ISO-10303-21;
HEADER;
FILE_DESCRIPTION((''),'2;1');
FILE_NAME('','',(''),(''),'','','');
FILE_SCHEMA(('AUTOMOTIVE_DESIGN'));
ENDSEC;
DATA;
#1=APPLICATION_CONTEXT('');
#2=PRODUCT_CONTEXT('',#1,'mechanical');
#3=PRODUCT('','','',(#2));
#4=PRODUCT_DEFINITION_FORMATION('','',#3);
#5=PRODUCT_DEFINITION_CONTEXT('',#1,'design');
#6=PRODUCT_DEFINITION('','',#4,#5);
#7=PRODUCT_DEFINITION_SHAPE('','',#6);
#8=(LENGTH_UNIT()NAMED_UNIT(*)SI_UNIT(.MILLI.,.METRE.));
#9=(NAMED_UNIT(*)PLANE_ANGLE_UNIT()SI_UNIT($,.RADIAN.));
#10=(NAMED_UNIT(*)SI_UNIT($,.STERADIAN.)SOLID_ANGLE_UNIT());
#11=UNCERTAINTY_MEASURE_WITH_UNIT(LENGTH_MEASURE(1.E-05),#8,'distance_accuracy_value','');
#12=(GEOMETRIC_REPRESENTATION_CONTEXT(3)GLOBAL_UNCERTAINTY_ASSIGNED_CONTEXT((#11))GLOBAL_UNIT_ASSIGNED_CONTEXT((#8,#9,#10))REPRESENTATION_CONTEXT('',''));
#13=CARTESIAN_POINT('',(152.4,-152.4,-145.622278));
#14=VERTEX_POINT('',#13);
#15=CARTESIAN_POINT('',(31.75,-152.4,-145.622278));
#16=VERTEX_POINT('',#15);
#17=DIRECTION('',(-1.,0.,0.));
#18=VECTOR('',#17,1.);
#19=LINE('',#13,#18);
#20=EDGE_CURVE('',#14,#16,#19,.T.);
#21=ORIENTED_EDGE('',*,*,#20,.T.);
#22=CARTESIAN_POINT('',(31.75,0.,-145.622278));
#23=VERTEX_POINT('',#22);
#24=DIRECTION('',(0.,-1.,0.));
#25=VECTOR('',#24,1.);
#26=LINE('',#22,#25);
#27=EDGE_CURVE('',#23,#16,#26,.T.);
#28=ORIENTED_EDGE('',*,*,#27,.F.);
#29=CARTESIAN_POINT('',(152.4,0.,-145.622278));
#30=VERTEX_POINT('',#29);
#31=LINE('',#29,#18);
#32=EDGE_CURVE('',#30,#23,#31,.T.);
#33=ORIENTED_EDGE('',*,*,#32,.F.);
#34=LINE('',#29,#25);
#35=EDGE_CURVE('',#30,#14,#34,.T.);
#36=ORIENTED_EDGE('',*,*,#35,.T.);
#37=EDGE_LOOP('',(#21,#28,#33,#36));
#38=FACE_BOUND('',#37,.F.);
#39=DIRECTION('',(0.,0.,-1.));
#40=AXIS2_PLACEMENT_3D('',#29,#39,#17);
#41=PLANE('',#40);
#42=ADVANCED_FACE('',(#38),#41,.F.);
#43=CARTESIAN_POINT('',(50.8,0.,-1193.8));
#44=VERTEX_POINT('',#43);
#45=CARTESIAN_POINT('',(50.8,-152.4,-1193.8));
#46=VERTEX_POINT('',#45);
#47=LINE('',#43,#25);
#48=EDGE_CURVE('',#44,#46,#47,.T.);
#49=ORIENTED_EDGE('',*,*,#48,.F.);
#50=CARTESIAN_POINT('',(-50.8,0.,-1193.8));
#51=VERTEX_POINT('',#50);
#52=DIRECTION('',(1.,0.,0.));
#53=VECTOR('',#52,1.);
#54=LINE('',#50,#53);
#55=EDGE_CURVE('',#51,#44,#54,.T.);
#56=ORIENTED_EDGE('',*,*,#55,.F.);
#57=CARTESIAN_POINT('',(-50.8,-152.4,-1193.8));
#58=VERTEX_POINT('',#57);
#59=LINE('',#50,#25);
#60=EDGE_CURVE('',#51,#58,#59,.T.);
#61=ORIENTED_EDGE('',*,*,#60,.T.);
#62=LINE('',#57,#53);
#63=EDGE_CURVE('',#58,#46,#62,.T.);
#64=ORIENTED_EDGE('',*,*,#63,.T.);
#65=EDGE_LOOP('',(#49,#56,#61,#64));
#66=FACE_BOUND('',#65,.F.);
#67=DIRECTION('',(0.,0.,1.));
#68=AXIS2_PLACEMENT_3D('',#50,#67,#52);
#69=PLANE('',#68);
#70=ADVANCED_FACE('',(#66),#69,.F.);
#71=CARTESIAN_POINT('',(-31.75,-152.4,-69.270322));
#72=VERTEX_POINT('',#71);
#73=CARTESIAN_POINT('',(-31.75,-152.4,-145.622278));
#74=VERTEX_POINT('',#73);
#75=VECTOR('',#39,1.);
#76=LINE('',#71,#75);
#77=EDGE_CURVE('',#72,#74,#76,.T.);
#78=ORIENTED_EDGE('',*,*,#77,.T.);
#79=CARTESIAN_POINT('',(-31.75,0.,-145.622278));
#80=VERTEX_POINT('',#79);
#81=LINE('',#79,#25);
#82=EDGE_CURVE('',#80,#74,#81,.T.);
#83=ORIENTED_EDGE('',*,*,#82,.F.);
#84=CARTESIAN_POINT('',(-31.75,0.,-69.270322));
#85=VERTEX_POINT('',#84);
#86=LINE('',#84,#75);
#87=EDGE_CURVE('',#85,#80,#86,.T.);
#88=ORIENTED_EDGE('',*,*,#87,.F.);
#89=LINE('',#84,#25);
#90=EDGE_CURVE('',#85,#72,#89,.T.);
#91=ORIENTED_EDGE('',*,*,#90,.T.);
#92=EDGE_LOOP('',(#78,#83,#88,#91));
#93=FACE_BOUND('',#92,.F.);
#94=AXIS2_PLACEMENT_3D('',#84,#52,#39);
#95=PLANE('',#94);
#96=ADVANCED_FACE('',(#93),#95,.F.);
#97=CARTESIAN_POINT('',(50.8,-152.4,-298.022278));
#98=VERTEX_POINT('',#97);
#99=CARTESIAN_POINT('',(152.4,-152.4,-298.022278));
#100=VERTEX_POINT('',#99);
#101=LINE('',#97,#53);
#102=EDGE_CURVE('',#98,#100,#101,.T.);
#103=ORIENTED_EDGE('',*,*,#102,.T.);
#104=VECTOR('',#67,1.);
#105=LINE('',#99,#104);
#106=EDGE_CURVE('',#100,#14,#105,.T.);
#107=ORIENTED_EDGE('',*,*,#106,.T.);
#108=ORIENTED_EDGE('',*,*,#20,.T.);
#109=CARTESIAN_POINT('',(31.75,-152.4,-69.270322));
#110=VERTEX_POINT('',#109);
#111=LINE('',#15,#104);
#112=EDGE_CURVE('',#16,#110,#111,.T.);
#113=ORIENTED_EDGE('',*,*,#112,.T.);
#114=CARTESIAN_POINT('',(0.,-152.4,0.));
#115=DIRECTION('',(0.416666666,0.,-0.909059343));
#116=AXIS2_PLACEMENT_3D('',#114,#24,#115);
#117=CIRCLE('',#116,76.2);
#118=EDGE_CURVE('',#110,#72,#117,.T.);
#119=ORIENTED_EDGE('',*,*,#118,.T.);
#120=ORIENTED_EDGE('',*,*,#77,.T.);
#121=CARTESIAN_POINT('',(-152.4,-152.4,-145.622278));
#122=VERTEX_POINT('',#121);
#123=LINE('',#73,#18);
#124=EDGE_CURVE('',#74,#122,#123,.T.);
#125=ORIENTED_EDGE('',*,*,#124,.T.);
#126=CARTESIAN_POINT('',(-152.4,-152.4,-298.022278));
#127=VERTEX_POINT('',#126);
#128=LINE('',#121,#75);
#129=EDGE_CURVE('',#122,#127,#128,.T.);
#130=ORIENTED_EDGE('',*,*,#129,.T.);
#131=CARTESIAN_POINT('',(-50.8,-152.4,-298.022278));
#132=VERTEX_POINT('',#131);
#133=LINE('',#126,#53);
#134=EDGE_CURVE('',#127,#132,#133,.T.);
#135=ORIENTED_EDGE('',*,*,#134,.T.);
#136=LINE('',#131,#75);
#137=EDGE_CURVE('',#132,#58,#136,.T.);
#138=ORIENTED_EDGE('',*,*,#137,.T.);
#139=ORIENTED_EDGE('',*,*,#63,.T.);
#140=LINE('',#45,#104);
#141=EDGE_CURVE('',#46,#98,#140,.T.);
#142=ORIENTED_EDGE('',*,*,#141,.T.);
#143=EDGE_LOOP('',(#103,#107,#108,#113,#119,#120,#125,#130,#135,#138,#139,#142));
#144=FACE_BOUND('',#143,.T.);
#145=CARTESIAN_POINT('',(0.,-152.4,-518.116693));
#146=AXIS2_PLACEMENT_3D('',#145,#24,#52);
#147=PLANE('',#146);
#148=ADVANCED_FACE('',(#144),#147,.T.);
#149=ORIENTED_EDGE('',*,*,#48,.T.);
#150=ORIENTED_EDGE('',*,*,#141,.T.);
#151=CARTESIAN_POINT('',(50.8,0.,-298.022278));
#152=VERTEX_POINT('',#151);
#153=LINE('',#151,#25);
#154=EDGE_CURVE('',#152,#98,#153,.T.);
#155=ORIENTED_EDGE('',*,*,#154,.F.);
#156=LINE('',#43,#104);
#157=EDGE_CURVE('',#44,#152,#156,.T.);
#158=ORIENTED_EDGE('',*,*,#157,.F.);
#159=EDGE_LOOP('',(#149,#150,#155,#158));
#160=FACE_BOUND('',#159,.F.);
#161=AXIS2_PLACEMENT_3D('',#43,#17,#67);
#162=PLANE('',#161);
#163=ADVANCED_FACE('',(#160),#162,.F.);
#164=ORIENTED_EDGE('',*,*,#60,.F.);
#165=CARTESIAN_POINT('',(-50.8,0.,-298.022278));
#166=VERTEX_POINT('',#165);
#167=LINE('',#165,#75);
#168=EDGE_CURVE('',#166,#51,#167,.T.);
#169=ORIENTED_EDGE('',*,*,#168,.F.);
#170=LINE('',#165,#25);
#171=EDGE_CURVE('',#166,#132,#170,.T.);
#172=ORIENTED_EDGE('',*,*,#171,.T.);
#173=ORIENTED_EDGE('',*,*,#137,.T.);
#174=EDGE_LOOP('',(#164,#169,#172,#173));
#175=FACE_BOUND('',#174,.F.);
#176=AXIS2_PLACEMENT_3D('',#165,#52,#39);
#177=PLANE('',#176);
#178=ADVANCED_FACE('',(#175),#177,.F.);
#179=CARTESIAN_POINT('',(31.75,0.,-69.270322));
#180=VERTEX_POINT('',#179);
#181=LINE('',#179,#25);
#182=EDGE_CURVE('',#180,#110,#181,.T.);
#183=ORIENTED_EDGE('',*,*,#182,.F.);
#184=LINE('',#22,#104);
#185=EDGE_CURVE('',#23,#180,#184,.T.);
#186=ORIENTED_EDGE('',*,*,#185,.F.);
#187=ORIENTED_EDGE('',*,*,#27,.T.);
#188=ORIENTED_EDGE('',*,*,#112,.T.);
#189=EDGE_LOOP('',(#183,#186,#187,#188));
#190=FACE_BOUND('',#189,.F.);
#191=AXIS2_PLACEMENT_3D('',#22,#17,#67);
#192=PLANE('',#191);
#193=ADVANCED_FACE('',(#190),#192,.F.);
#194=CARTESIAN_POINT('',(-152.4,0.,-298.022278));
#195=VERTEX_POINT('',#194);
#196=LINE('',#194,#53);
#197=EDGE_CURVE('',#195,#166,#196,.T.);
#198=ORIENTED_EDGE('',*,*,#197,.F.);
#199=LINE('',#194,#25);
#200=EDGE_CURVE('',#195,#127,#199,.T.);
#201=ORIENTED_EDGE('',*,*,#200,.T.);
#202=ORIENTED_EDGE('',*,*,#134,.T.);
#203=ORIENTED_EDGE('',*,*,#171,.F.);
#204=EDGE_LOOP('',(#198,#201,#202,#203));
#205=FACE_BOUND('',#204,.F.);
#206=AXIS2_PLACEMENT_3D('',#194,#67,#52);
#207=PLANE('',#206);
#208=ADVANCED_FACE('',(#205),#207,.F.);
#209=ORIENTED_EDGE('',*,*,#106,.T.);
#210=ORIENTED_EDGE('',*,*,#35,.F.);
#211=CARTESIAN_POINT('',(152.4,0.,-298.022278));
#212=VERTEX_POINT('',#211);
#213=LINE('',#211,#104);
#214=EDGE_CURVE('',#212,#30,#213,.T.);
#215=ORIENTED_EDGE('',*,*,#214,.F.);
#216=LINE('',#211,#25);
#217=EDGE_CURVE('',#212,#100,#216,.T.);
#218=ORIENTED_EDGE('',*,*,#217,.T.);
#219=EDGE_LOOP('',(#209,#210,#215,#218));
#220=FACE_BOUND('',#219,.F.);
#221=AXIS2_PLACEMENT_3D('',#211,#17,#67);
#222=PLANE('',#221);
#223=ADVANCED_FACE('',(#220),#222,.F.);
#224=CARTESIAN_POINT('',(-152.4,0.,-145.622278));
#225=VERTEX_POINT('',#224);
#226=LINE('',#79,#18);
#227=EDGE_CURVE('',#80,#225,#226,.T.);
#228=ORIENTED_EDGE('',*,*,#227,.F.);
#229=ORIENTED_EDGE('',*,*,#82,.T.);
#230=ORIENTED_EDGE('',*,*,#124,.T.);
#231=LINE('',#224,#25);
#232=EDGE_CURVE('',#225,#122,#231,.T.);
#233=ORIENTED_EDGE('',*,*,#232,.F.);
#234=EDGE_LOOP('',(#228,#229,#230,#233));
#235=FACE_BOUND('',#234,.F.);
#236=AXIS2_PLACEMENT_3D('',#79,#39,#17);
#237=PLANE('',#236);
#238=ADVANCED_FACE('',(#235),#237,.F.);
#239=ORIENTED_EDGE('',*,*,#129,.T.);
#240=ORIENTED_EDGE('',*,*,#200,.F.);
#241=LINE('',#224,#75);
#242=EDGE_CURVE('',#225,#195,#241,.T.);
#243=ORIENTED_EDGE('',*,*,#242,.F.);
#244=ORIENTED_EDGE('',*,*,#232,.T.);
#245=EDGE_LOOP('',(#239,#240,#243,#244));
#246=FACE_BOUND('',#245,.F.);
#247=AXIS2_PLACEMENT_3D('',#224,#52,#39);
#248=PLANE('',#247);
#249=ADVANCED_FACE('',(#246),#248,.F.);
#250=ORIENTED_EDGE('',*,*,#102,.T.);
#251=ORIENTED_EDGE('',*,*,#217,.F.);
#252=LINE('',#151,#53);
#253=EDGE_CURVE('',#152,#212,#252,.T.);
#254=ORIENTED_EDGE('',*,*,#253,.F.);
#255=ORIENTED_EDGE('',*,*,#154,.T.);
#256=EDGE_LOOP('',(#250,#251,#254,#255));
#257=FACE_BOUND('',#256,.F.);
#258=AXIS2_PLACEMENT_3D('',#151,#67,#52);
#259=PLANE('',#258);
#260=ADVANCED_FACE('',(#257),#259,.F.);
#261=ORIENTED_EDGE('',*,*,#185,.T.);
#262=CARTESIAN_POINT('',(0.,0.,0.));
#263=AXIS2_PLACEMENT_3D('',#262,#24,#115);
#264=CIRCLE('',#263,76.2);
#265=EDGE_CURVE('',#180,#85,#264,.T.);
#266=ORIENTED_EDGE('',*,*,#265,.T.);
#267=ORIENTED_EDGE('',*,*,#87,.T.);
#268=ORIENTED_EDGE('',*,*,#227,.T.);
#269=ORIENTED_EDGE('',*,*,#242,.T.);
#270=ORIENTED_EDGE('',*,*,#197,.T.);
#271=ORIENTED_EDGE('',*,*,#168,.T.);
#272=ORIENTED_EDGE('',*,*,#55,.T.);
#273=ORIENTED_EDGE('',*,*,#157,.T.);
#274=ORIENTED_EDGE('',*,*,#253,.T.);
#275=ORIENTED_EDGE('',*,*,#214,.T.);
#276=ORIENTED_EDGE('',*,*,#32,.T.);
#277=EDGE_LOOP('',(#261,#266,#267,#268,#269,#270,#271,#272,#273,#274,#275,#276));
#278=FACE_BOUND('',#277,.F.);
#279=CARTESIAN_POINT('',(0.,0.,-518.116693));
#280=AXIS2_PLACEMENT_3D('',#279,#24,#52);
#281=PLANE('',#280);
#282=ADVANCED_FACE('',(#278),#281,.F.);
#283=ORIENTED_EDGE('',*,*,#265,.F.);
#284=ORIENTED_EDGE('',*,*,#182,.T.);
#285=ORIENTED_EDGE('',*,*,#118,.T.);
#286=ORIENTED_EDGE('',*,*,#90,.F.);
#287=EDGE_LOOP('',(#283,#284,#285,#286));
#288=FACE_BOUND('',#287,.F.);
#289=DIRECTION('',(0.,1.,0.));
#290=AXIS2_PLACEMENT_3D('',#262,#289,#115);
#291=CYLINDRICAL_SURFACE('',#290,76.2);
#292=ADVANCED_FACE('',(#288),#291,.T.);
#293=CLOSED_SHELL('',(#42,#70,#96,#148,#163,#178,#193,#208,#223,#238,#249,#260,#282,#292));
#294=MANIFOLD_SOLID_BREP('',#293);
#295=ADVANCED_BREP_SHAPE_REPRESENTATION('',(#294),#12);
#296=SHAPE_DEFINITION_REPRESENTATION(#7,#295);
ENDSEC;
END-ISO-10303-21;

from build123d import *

# Parameters (mm, degrees)
F1_DEPTH = 152.4


with BuildPart() as f1:
    # F0 (on Front) → F1 (new body)
    with BuildSketch(Plane.XZ):
        with BuildLine():
            Line((31.75, -145.622278), (31.75, -69.270322))
            ThreePointArc((31.75, -69.270322), (0, 76.2), (-31.75, -69.270322))
            Line((-31.75, -69.270322), (-31.75, -145.622278))
            Line((-31.75, -145.622278), (-152.4, -145.622278))
            Line((-152.4, -145.622278), (-152.4, -298.022278))
            Line((-152.4, -298.022278), (-50.8, -298.022278))
            Line((-50.8, -298.022278), (-50.8, -1193.8))
            Line((-50.8, -1193.8), (50.8, -1193.8))
            Line((50.8, -1193.8), (50.8, -298.022278))
            Line((50.8, -298.022278), (152.4, -298.022278))
            Line((152.4, -298.022278), (152.4, -145.622278))
            Line((152.4, -145.622278), (31.75, -145.622278))
        make_face()
    extrude(amount=F1_DEPTH)


solid = f1.part
